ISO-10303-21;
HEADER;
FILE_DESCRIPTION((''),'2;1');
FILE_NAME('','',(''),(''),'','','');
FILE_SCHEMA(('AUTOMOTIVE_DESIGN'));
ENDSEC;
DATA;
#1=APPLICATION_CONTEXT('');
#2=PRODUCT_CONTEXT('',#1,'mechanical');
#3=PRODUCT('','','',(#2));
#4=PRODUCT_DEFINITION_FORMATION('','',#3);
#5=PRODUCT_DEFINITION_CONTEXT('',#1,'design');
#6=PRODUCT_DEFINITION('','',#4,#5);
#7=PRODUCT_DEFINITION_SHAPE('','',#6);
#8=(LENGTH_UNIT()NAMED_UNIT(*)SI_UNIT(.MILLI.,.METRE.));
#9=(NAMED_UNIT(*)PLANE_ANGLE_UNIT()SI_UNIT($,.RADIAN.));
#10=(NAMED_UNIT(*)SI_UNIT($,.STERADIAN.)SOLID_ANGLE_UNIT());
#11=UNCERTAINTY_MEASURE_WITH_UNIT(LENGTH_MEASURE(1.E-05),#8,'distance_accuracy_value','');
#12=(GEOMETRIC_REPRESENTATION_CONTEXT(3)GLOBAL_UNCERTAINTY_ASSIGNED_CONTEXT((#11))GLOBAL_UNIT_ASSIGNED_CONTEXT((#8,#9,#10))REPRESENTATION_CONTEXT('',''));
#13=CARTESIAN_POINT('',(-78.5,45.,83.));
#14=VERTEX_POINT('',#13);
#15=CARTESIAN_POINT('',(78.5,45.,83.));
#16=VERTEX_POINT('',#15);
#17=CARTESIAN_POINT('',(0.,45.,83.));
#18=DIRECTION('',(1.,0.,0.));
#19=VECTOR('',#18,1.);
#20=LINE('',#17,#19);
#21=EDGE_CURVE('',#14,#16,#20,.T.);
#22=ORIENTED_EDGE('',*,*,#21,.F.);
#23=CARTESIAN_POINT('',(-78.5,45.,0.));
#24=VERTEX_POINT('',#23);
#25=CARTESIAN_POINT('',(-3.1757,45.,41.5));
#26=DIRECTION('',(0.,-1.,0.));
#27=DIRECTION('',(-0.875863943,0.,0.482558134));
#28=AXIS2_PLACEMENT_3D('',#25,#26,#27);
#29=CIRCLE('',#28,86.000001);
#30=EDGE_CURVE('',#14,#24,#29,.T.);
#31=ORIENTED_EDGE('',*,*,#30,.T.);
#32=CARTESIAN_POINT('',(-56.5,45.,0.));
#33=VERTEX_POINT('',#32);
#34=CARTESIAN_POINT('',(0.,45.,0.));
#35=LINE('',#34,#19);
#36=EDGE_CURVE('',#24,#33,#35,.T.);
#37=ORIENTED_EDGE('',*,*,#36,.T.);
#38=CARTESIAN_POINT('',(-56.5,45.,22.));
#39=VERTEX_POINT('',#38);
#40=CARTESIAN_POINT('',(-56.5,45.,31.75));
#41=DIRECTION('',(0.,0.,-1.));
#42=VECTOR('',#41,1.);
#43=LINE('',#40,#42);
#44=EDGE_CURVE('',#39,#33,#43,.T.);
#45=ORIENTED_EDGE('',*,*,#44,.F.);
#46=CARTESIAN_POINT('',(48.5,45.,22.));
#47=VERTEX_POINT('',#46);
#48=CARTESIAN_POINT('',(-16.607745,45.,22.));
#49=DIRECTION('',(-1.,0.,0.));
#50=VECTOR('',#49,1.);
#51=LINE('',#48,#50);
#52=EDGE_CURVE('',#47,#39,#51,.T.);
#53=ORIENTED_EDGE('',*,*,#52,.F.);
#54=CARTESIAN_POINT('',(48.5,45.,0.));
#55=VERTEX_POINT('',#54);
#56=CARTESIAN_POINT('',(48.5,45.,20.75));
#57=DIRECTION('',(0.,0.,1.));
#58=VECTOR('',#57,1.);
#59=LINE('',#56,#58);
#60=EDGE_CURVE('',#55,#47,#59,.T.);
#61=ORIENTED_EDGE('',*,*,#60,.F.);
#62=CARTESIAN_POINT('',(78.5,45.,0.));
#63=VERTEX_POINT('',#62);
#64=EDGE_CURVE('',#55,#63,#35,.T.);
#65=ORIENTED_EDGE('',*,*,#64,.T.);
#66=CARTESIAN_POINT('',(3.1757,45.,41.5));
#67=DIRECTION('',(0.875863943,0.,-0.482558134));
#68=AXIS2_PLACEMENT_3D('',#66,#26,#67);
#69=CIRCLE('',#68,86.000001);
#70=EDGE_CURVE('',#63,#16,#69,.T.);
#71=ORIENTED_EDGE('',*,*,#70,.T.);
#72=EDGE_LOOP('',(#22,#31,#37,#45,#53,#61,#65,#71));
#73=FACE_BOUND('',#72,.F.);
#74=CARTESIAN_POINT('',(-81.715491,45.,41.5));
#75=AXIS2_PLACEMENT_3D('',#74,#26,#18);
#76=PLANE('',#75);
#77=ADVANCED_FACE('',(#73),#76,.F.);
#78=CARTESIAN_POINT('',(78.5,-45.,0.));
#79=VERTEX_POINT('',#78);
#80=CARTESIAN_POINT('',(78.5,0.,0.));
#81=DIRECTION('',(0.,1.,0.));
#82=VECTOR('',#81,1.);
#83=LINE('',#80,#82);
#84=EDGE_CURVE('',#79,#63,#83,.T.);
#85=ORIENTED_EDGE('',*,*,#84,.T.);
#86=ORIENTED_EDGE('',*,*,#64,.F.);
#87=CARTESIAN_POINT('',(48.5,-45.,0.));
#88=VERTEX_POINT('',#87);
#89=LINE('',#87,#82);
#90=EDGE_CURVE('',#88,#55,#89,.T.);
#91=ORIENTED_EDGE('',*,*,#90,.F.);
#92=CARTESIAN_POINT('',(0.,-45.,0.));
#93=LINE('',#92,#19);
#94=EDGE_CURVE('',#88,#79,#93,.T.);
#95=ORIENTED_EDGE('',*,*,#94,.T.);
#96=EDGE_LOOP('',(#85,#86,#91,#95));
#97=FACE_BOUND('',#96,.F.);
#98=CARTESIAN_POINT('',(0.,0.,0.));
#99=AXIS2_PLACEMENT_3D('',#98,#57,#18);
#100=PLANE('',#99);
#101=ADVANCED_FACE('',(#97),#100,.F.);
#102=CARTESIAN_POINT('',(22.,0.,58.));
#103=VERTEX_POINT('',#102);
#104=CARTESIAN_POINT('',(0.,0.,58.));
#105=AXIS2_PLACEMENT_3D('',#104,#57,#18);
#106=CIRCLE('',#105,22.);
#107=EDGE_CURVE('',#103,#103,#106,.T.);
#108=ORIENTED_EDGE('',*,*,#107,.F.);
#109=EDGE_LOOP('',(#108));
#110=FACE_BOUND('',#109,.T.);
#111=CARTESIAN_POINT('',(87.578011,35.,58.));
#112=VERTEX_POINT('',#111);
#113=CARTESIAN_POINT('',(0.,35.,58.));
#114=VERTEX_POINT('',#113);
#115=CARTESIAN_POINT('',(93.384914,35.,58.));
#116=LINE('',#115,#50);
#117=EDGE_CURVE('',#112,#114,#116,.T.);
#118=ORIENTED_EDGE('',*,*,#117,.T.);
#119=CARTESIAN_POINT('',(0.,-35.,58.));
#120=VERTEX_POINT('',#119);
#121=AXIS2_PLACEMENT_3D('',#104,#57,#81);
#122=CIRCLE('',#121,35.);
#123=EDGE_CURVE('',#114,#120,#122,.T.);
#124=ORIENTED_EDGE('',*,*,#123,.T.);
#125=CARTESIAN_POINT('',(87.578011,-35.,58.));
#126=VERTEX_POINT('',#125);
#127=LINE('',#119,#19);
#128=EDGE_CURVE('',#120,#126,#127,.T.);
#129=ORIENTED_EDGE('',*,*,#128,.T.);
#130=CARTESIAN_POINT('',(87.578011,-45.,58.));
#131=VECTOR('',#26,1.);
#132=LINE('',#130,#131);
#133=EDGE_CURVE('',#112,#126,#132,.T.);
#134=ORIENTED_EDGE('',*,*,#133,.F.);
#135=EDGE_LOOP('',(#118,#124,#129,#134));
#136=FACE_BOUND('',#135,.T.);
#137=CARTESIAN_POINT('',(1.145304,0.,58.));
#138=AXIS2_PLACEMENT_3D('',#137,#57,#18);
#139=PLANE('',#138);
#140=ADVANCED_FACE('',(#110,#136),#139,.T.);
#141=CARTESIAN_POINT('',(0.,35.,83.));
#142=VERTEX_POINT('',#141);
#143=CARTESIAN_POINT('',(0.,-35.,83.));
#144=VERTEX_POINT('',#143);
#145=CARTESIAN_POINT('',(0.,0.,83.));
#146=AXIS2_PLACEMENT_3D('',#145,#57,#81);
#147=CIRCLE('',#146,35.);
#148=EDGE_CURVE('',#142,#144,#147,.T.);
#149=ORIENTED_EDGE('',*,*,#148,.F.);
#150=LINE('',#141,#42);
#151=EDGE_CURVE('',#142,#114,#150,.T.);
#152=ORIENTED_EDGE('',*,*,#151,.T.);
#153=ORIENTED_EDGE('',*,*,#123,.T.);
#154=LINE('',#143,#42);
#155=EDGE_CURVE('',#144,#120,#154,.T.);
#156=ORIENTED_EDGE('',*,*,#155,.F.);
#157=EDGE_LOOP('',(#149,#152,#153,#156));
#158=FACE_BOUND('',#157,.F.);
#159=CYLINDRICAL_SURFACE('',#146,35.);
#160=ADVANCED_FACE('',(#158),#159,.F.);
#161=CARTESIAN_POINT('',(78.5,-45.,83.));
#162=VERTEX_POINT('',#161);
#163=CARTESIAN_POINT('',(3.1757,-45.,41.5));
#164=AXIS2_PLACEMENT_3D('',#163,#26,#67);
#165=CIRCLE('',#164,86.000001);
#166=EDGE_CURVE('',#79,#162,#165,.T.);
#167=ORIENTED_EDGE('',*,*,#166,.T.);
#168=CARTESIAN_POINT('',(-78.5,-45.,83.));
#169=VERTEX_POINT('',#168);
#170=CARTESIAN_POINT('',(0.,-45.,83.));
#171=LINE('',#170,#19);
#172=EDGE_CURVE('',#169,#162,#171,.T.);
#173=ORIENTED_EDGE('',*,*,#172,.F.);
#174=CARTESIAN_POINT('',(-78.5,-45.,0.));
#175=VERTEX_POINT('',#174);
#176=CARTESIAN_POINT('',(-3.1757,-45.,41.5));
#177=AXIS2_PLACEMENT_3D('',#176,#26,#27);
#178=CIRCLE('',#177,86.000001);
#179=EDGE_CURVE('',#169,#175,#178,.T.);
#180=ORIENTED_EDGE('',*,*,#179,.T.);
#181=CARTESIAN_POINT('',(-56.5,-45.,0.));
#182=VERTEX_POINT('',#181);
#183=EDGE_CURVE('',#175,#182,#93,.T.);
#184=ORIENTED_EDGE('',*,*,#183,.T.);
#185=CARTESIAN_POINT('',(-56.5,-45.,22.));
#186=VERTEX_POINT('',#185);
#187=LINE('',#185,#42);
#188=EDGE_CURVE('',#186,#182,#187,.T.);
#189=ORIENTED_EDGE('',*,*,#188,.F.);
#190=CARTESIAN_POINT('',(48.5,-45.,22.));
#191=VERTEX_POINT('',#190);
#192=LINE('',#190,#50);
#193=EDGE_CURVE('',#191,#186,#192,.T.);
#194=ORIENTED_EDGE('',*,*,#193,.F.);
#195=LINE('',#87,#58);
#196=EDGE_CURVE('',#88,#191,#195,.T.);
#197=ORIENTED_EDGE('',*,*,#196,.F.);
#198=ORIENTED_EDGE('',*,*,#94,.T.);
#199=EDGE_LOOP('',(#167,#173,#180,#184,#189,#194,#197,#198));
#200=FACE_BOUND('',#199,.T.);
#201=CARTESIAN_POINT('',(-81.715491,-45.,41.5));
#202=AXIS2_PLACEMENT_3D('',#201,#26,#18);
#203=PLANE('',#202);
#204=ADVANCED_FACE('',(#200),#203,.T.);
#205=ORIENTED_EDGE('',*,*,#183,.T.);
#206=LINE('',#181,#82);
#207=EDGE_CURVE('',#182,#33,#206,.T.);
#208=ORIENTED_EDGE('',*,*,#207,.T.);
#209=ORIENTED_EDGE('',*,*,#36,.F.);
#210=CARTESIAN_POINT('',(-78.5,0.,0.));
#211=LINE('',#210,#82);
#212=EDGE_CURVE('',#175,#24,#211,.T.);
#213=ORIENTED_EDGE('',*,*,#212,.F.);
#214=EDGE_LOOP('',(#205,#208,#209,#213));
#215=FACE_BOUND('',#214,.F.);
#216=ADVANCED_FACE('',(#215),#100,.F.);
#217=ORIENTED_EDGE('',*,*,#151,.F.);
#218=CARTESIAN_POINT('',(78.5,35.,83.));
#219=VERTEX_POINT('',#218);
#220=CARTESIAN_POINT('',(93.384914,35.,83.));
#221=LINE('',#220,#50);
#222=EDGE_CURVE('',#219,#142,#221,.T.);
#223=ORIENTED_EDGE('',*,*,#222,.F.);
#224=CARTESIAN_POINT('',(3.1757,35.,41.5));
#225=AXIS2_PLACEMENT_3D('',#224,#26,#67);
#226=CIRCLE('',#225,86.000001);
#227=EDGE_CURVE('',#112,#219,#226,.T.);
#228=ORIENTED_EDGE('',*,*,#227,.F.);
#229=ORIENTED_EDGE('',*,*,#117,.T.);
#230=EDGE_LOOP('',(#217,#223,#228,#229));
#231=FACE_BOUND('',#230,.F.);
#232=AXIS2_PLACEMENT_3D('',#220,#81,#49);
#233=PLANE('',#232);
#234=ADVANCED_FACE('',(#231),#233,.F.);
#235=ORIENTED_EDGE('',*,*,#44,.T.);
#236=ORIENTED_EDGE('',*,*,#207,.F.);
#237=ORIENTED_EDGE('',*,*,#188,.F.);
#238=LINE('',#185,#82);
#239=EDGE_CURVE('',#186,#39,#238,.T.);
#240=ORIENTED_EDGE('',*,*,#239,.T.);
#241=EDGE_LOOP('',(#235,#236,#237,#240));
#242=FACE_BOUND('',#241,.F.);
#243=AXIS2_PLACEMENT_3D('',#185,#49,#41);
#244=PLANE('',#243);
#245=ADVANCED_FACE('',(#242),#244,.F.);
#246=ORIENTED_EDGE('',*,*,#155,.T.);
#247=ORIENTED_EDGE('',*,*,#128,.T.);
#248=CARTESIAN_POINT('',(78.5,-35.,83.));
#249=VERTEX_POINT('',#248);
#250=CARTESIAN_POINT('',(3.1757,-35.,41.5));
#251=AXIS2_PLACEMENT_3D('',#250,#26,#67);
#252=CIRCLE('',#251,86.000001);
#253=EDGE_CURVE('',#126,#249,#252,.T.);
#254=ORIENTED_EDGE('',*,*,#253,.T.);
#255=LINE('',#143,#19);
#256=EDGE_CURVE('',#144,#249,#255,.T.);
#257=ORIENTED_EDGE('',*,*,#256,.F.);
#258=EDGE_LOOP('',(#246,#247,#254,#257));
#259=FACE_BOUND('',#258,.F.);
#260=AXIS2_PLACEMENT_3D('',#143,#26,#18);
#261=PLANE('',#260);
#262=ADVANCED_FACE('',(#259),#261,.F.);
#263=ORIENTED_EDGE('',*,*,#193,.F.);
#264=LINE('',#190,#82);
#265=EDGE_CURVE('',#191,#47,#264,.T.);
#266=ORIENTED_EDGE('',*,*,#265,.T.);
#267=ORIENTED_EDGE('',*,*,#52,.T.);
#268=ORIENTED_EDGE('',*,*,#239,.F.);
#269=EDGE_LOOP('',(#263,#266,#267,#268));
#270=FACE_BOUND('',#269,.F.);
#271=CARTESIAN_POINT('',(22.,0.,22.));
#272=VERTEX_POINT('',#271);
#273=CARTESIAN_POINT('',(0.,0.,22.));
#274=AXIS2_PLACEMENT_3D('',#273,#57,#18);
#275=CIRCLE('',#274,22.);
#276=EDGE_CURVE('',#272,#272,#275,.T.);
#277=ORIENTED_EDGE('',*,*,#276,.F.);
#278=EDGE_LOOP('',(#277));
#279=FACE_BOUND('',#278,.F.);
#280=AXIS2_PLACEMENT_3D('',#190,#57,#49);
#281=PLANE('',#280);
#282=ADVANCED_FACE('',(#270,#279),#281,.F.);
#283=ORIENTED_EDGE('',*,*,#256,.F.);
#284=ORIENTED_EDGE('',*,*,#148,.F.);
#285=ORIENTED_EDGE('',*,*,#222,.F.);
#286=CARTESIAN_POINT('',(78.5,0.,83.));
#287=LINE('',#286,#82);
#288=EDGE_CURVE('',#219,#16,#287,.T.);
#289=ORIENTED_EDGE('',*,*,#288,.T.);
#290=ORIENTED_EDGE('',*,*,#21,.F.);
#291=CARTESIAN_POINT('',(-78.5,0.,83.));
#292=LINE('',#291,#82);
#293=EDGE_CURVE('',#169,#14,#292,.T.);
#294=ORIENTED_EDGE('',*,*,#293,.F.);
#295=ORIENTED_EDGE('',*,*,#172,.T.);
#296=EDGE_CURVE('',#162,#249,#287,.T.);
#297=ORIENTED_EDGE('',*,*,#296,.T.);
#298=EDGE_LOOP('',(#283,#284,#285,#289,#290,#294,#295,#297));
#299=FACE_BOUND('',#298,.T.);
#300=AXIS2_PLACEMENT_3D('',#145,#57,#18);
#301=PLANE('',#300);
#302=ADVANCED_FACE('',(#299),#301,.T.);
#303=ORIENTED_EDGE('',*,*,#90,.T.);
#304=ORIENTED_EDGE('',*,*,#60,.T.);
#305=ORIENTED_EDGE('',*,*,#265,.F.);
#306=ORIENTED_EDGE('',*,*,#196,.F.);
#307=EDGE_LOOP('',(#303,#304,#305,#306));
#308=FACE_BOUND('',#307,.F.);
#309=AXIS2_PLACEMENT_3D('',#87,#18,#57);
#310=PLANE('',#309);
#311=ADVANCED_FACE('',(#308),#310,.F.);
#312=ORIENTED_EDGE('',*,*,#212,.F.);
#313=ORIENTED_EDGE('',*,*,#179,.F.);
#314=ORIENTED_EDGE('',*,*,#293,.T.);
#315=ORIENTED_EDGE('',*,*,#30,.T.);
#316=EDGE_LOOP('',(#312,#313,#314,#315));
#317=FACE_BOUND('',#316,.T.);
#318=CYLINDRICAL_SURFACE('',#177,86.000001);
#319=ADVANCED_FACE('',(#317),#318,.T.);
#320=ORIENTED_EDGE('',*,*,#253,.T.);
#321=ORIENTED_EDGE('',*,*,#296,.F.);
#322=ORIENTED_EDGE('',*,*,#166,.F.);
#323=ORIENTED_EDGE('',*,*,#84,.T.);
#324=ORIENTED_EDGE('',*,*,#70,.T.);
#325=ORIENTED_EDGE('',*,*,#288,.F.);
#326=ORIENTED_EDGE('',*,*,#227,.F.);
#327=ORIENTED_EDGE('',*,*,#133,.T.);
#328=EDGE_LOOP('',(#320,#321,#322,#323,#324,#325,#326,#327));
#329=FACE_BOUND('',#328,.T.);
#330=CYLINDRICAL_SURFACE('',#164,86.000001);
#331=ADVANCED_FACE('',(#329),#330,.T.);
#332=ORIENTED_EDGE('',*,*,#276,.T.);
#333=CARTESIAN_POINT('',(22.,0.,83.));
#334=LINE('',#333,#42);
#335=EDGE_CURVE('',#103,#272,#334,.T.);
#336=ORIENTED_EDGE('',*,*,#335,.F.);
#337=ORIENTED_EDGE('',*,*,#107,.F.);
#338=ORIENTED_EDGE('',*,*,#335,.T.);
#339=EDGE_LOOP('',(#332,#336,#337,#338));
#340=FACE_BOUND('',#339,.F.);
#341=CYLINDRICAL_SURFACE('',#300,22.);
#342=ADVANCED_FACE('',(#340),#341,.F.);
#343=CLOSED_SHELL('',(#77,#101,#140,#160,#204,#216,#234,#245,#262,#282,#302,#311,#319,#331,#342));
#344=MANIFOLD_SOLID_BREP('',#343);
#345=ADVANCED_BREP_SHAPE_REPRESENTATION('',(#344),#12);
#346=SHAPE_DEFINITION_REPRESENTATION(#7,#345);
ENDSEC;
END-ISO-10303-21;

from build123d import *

# Parameters (mm, degrees)
F0_W      = 157
F0_H      = 90
F1_DEPTH  = 83
F3_DEPTH  = 90
F5_DEPTH  = 557
F6_R      = 22
F7_DEPTH  = 25
F7_FACE_R = 22
F8_DEPTH  = 185


with BuildPart() as f1:
    # F0 (on Top) → F1 (new body)
    with BuildSketch(Plane.XY):
        Rectangle(F0_W, F0_H)
    extrude(amount=F1_DEPTH)

    # F2 (on face) → F3 (join, through all)
    with BuildSketch(Plane.XZ.offset(45)):
        with BuildLine():
            Line((-78.5, 0), (-78.5, 83))
            ThreePointArc((-78.5, 83), (-89.175701, 41.5), (-78.5, 0))
        make_face()
        with BuildLine():
            ThreePointArc((78.5, 0), (89.175701, 41.5), (78.5, 83))
            Line((78.5, 83), (78.5, 0))
        make_face()
    extrude(amount=-F3_DEPTH)

    # F4 (on face) → F5 (cut)
    with BuildSketch(Plane.XZ.offset(45)):
        Polygon((-56.5, 0), (-4, 0), (48.5, 0), (48.5, 22), (-56.5, 22), align=None)
    extrude(amount=-F5_DEPTH, mode=Mode.SUBTRACT)

    # F6 (on face) → F7 (cut)
    with BuildSketch(Plane.XY.offset(83)):
        with BuildLine():
            ThreePointArc((0, -35), (24.748737, -24.748737), (35, 0))
            ThreePointArc((35, 0), (24.748737, 24.748737), (0, 35))
            ThreePointArc((0, 35), (-35, 0), (0, -35))
        make_face()
        Circle(F6_R, mode=Mode.SUBTRACT)
        with BuildLine():
            ThreePointArc((0, 35), (24.748737, 24.748737), (35, 0))
            ThreePointArc((35, 0), (24.748737, -24.748737), (0, -35))
            Line((0, -35), (78.5, -35))
            Line((78.5, -35), (78.5, 35))
            Line((78.5, 35), (0, 35))
        make_face()
        Polygon((93.384914, 35), (78.5, 35), (78.5, -35), (92.262775, -35), (93.384914, -35.542417), align=None)
    extrude(amount=-F7_DEPTH, mode=Mode.SUBTRACT)

    # F7_face (on face) → F8 (cut)
    with BuildSketch(Plane.XY.offset(83)):
        Circle(F7_FACE_R)
    extrude(amount=-F8_DEPTH, mode=Mode.SUBTRACT)


solid = f1.part
